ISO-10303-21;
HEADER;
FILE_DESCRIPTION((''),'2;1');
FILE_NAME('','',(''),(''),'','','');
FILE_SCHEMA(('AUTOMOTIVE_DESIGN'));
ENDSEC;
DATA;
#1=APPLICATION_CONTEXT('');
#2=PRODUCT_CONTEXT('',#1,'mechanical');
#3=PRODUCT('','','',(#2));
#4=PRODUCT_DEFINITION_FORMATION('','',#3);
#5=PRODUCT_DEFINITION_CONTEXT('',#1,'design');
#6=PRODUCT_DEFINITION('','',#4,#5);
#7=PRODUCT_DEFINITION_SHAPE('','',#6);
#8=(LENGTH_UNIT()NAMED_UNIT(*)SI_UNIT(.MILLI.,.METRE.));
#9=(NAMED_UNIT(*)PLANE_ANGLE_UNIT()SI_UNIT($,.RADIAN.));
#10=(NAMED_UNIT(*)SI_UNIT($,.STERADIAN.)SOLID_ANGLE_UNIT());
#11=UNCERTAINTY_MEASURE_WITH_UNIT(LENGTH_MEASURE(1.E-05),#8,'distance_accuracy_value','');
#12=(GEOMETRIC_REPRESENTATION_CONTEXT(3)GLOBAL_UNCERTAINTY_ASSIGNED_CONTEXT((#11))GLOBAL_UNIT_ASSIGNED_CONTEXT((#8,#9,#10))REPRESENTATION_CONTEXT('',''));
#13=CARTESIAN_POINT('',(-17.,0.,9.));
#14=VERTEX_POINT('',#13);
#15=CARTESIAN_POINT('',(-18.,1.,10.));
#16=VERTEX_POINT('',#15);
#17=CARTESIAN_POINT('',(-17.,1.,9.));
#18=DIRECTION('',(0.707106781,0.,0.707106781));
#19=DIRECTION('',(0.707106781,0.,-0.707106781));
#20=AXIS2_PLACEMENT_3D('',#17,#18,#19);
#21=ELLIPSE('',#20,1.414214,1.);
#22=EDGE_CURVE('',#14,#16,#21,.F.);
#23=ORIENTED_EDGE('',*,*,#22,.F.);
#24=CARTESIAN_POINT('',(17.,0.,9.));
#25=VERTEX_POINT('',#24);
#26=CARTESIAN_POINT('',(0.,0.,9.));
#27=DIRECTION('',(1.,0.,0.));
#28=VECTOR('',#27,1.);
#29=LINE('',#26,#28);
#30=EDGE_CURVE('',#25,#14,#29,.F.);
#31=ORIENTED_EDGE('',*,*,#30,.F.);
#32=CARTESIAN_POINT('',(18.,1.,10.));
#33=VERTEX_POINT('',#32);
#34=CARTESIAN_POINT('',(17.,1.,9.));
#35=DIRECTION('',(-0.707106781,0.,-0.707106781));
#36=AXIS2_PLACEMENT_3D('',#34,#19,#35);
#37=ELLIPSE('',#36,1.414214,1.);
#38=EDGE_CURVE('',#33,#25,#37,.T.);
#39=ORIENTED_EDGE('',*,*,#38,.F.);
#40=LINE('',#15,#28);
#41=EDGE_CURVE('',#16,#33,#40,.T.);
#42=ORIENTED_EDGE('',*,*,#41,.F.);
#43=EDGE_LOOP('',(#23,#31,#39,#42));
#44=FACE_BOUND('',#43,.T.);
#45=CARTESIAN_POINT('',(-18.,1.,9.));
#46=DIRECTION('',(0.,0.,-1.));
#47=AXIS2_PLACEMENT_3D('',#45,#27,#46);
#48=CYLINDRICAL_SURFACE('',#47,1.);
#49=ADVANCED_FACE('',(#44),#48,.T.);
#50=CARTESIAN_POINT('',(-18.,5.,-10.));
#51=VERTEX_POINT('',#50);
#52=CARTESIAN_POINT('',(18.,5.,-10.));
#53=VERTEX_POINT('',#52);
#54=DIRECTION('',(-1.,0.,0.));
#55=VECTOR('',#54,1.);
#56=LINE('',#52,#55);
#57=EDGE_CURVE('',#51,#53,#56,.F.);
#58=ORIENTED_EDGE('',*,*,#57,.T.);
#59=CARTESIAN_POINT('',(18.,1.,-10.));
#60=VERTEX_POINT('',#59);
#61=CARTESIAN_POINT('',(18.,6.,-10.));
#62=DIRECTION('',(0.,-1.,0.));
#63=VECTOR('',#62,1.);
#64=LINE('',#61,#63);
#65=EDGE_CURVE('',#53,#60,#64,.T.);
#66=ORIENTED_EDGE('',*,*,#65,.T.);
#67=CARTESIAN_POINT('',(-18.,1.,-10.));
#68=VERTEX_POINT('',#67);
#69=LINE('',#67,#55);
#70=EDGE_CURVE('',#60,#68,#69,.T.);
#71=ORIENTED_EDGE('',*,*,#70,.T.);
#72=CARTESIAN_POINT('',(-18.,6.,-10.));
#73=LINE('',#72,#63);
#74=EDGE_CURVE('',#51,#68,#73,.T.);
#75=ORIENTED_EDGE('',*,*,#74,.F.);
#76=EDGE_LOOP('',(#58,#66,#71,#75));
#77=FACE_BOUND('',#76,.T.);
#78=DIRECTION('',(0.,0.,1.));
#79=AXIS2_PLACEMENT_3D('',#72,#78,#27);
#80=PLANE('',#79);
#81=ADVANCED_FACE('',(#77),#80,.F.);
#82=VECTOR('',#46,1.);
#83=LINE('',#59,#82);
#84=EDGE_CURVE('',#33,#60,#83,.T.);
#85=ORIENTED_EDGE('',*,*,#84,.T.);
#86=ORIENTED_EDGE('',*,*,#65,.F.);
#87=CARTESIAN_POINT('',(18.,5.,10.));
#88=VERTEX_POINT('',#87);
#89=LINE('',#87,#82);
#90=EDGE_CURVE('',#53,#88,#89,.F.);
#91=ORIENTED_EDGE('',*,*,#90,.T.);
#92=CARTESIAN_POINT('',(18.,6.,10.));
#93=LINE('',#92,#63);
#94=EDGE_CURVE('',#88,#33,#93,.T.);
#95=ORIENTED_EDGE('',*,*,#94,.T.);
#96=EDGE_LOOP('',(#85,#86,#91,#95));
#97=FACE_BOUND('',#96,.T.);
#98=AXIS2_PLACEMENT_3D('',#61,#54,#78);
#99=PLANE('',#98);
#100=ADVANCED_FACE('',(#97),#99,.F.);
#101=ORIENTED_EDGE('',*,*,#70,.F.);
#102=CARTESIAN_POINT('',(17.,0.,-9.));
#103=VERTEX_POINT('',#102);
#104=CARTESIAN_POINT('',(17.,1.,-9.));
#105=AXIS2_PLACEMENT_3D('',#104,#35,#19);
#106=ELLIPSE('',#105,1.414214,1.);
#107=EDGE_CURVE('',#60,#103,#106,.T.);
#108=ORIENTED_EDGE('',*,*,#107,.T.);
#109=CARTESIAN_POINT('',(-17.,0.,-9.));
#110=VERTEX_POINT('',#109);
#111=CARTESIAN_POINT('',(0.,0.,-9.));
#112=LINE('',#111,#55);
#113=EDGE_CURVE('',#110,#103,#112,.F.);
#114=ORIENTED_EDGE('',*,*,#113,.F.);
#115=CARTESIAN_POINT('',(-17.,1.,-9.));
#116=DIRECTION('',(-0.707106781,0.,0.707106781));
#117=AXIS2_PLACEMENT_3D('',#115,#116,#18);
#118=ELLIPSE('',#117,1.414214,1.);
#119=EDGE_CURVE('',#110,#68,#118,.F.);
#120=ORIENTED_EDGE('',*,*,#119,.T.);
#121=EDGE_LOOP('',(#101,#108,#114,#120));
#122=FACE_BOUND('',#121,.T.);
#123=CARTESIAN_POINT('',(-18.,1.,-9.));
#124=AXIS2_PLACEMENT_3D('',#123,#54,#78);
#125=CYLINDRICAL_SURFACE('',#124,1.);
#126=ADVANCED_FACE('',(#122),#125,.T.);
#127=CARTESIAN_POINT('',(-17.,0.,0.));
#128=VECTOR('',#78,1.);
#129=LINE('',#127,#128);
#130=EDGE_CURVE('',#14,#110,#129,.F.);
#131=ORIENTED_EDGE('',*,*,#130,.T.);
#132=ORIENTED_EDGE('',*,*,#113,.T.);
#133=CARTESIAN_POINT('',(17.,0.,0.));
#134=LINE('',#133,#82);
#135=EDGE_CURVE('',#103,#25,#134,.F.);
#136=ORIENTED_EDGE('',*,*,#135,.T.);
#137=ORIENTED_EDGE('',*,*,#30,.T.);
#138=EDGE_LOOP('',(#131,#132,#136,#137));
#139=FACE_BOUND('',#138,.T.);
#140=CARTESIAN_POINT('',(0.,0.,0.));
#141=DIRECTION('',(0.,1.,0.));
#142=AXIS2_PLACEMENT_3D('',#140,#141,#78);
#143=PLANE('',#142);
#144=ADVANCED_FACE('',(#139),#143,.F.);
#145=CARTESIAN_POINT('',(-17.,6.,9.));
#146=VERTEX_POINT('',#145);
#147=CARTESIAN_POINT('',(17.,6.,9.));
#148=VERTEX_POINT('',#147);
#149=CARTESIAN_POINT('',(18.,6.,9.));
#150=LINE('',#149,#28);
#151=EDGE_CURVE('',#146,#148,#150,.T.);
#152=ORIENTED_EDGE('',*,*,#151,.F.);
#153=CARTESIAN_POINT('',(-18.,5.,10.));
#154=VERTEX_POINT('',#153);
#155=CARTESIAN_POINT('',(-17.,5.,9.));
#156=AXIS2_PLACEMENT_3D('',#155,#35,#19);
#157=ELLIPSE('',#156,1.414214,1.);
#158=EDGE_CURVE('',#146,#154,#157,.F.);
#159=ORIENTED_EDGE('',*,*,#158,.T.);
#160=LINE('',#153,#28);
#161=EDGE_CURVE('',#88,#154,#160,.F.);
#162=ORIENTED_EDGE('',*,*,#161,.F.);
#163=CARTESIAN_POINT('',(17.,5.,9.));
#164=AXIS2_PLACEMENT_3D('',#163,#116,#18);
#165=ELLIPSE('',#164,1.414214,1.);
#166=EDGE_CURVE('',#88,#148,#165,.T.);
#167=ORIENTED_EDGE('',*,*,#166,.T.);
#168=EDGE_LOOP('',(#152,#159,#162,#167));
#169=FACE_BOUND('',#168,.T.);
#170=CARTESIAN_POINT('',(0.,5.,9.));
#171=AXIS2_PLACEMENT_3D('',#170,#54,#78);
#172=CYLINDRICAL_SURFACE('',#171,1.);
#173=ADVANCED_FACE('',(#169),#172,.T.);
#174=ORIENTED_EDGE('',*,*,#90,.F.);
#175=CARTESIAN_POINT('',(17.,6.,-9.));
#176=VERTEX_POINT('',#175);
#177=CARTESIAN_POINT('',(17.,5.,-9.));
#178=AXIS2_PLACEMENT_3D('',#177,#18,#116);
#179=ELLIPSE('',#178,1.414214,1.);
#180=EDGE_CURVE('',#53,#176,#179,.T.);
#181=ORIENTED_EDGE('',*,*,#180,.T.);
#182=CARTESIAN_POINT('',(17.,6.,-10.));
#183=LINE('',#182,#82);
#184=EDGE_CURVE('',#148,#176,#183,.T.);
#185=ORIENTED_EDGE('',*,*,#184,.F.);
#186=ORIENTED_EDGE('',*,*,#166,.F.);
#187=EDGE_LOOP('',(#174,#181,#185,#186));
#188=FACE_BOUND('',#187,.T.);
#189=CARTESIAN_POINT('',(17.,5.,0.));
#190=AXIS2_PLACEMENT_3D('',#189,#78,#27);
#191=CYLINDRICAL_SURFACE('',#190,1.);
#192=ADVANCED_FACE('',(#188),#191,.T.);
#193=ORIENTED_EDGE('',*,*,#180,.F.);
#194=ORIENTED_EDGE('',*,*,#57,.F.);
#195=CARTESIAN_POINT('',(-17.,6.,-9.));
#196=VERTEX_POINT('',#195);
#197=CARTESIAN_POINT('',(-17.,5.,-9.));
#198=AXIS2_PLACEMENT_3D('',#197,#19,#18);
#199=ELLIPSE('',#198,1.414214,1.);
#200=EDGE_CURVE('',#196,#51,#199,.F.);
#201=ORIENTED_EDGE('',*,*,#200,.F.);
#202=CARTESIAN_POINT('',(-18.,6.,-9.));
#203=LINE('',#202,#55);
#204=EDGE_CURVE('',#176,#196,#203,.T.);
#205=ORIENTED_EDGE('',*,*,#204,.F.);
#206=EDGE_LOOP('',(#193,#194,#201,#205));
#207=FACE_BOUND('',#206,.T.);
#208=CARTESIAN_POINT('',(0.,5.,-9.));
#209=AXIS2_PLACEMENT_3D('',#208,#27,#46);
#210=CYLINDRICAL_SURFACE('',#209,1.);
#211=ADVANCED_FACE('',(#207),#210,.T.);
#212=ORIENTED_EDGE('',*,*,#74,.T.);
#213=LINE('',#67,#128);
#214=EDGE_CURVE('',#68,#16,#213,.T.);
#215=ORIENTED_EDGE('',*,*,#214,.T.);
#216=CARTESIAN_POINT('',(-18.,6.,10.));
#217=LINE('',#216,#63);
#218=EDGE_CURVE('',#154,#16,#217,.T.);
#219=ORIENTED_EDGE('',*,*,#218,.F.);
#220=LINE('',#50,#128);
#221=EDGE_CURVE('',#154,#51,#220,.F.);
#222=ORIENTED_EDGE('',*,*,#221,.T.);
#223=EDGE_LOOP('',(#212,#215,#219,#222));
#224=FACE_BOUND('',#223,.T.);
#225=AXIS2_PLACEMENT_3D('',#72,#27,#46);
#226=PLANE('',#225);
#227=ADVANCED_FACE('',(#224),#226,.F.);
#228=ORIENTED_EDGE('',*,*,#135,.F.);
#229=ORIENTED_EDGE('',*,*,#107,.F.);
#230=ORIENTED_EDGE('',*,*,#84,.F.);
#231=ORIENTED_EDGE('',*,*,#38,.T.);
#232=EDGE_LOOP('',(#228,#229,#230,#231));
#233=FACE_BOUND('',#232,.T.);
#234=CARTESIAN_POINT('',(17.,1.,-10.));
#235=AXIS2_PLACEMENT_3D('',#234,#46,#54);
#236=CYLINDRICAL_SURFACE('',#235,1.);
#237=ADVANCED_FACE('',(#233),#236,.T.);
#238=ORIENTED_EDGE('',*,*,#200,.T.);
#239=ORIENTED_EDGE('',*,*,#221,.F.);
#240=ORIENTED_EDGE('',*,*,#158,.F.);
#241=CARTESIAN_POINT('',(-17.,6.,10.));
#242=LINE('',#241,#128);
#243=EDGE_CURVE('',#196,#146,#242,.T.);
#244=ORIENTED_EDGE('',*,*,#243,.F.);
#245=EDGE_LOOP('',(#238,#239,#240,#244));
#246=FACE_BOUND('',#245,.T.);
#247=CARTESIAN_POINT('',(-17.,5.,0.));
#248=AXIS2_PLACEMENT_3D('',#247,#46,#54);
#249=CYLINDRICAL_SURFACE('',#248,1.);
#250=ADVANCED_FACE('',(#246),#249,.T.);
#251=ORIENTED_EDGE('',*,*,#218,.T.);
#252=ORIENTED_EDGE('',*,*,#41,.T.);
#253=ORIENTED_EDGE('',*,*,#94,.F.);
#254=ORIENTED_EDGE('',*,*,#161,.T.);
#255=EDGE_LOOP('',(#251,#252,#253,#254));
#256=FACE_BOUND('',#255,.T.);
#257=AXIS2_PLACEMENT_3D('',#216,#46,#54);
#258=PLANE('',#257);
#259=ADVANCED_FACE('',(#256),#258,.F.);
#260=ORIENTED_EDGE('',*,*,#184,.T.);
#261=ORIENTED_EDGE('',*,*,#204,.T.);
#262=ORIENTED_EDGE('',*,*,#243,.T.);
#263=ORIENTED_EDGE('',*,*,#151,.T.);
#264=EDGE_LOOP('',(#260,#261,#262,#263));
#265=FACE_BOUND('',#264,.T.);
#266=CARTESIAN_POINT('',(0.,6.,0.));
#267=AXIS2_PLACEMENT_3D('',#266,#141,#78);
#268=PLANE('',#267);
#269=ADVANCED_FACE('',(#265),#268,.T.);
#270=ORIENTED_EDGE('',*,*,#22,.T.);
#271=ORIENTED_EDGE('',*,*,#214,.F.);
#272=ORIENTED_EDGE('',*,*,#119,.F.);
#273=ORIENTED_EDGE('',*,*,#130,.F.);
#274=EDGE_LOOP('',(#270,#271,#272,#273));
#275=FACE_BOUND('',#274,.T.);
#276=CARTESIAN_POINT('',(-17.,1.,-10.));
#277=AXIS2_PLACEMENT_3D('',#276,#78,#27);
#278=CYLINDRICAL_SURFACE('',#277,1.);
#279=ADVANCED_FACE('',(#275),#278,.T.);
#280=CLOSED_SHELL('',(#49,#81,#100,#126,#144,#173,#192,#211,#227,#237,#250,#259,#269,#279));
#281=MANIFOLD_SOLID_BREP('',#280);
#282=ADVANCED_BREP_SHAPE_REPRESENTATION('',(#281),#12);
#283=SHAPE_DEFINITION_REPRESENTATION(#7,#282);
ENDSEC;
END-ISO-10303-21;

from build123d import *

# Parameters (mm, degrees)
SKETCH1_W           = 36
SKETCH1_H           = 20
BOSS_EXTRUDE1_DEPTH = 6
FILLET1_R           = 1


with BuildPart() as part:
    # Sketch1 → Boss-Extrude1 (new body)
    with BuildSketch(Plane(origin=(0, 0, 0), x_dir=(1, 0, 0), z_dir=(0, 1, 0))):
        Rectangle(SKETCH1_W, SKETCH1_H)
    extrude(amount=BOSS_EXTRUDE1_DEPTH)

    # Fillet1
    fillet1_edges = [part.edges().sort_by_distance(p)[0] for p in [
        (-18, 6, 0),
        (0, 6, 10),
        (18, 6, 0),
        (0, 0, 10),
        (-18, 0, 0),
        (0, 0, -10),
        (18, 0, 0),
        (0, 6, -10),
    ]]
    fillet(fillet1_edges, radius=FILLET1_R)


solid = part.part
